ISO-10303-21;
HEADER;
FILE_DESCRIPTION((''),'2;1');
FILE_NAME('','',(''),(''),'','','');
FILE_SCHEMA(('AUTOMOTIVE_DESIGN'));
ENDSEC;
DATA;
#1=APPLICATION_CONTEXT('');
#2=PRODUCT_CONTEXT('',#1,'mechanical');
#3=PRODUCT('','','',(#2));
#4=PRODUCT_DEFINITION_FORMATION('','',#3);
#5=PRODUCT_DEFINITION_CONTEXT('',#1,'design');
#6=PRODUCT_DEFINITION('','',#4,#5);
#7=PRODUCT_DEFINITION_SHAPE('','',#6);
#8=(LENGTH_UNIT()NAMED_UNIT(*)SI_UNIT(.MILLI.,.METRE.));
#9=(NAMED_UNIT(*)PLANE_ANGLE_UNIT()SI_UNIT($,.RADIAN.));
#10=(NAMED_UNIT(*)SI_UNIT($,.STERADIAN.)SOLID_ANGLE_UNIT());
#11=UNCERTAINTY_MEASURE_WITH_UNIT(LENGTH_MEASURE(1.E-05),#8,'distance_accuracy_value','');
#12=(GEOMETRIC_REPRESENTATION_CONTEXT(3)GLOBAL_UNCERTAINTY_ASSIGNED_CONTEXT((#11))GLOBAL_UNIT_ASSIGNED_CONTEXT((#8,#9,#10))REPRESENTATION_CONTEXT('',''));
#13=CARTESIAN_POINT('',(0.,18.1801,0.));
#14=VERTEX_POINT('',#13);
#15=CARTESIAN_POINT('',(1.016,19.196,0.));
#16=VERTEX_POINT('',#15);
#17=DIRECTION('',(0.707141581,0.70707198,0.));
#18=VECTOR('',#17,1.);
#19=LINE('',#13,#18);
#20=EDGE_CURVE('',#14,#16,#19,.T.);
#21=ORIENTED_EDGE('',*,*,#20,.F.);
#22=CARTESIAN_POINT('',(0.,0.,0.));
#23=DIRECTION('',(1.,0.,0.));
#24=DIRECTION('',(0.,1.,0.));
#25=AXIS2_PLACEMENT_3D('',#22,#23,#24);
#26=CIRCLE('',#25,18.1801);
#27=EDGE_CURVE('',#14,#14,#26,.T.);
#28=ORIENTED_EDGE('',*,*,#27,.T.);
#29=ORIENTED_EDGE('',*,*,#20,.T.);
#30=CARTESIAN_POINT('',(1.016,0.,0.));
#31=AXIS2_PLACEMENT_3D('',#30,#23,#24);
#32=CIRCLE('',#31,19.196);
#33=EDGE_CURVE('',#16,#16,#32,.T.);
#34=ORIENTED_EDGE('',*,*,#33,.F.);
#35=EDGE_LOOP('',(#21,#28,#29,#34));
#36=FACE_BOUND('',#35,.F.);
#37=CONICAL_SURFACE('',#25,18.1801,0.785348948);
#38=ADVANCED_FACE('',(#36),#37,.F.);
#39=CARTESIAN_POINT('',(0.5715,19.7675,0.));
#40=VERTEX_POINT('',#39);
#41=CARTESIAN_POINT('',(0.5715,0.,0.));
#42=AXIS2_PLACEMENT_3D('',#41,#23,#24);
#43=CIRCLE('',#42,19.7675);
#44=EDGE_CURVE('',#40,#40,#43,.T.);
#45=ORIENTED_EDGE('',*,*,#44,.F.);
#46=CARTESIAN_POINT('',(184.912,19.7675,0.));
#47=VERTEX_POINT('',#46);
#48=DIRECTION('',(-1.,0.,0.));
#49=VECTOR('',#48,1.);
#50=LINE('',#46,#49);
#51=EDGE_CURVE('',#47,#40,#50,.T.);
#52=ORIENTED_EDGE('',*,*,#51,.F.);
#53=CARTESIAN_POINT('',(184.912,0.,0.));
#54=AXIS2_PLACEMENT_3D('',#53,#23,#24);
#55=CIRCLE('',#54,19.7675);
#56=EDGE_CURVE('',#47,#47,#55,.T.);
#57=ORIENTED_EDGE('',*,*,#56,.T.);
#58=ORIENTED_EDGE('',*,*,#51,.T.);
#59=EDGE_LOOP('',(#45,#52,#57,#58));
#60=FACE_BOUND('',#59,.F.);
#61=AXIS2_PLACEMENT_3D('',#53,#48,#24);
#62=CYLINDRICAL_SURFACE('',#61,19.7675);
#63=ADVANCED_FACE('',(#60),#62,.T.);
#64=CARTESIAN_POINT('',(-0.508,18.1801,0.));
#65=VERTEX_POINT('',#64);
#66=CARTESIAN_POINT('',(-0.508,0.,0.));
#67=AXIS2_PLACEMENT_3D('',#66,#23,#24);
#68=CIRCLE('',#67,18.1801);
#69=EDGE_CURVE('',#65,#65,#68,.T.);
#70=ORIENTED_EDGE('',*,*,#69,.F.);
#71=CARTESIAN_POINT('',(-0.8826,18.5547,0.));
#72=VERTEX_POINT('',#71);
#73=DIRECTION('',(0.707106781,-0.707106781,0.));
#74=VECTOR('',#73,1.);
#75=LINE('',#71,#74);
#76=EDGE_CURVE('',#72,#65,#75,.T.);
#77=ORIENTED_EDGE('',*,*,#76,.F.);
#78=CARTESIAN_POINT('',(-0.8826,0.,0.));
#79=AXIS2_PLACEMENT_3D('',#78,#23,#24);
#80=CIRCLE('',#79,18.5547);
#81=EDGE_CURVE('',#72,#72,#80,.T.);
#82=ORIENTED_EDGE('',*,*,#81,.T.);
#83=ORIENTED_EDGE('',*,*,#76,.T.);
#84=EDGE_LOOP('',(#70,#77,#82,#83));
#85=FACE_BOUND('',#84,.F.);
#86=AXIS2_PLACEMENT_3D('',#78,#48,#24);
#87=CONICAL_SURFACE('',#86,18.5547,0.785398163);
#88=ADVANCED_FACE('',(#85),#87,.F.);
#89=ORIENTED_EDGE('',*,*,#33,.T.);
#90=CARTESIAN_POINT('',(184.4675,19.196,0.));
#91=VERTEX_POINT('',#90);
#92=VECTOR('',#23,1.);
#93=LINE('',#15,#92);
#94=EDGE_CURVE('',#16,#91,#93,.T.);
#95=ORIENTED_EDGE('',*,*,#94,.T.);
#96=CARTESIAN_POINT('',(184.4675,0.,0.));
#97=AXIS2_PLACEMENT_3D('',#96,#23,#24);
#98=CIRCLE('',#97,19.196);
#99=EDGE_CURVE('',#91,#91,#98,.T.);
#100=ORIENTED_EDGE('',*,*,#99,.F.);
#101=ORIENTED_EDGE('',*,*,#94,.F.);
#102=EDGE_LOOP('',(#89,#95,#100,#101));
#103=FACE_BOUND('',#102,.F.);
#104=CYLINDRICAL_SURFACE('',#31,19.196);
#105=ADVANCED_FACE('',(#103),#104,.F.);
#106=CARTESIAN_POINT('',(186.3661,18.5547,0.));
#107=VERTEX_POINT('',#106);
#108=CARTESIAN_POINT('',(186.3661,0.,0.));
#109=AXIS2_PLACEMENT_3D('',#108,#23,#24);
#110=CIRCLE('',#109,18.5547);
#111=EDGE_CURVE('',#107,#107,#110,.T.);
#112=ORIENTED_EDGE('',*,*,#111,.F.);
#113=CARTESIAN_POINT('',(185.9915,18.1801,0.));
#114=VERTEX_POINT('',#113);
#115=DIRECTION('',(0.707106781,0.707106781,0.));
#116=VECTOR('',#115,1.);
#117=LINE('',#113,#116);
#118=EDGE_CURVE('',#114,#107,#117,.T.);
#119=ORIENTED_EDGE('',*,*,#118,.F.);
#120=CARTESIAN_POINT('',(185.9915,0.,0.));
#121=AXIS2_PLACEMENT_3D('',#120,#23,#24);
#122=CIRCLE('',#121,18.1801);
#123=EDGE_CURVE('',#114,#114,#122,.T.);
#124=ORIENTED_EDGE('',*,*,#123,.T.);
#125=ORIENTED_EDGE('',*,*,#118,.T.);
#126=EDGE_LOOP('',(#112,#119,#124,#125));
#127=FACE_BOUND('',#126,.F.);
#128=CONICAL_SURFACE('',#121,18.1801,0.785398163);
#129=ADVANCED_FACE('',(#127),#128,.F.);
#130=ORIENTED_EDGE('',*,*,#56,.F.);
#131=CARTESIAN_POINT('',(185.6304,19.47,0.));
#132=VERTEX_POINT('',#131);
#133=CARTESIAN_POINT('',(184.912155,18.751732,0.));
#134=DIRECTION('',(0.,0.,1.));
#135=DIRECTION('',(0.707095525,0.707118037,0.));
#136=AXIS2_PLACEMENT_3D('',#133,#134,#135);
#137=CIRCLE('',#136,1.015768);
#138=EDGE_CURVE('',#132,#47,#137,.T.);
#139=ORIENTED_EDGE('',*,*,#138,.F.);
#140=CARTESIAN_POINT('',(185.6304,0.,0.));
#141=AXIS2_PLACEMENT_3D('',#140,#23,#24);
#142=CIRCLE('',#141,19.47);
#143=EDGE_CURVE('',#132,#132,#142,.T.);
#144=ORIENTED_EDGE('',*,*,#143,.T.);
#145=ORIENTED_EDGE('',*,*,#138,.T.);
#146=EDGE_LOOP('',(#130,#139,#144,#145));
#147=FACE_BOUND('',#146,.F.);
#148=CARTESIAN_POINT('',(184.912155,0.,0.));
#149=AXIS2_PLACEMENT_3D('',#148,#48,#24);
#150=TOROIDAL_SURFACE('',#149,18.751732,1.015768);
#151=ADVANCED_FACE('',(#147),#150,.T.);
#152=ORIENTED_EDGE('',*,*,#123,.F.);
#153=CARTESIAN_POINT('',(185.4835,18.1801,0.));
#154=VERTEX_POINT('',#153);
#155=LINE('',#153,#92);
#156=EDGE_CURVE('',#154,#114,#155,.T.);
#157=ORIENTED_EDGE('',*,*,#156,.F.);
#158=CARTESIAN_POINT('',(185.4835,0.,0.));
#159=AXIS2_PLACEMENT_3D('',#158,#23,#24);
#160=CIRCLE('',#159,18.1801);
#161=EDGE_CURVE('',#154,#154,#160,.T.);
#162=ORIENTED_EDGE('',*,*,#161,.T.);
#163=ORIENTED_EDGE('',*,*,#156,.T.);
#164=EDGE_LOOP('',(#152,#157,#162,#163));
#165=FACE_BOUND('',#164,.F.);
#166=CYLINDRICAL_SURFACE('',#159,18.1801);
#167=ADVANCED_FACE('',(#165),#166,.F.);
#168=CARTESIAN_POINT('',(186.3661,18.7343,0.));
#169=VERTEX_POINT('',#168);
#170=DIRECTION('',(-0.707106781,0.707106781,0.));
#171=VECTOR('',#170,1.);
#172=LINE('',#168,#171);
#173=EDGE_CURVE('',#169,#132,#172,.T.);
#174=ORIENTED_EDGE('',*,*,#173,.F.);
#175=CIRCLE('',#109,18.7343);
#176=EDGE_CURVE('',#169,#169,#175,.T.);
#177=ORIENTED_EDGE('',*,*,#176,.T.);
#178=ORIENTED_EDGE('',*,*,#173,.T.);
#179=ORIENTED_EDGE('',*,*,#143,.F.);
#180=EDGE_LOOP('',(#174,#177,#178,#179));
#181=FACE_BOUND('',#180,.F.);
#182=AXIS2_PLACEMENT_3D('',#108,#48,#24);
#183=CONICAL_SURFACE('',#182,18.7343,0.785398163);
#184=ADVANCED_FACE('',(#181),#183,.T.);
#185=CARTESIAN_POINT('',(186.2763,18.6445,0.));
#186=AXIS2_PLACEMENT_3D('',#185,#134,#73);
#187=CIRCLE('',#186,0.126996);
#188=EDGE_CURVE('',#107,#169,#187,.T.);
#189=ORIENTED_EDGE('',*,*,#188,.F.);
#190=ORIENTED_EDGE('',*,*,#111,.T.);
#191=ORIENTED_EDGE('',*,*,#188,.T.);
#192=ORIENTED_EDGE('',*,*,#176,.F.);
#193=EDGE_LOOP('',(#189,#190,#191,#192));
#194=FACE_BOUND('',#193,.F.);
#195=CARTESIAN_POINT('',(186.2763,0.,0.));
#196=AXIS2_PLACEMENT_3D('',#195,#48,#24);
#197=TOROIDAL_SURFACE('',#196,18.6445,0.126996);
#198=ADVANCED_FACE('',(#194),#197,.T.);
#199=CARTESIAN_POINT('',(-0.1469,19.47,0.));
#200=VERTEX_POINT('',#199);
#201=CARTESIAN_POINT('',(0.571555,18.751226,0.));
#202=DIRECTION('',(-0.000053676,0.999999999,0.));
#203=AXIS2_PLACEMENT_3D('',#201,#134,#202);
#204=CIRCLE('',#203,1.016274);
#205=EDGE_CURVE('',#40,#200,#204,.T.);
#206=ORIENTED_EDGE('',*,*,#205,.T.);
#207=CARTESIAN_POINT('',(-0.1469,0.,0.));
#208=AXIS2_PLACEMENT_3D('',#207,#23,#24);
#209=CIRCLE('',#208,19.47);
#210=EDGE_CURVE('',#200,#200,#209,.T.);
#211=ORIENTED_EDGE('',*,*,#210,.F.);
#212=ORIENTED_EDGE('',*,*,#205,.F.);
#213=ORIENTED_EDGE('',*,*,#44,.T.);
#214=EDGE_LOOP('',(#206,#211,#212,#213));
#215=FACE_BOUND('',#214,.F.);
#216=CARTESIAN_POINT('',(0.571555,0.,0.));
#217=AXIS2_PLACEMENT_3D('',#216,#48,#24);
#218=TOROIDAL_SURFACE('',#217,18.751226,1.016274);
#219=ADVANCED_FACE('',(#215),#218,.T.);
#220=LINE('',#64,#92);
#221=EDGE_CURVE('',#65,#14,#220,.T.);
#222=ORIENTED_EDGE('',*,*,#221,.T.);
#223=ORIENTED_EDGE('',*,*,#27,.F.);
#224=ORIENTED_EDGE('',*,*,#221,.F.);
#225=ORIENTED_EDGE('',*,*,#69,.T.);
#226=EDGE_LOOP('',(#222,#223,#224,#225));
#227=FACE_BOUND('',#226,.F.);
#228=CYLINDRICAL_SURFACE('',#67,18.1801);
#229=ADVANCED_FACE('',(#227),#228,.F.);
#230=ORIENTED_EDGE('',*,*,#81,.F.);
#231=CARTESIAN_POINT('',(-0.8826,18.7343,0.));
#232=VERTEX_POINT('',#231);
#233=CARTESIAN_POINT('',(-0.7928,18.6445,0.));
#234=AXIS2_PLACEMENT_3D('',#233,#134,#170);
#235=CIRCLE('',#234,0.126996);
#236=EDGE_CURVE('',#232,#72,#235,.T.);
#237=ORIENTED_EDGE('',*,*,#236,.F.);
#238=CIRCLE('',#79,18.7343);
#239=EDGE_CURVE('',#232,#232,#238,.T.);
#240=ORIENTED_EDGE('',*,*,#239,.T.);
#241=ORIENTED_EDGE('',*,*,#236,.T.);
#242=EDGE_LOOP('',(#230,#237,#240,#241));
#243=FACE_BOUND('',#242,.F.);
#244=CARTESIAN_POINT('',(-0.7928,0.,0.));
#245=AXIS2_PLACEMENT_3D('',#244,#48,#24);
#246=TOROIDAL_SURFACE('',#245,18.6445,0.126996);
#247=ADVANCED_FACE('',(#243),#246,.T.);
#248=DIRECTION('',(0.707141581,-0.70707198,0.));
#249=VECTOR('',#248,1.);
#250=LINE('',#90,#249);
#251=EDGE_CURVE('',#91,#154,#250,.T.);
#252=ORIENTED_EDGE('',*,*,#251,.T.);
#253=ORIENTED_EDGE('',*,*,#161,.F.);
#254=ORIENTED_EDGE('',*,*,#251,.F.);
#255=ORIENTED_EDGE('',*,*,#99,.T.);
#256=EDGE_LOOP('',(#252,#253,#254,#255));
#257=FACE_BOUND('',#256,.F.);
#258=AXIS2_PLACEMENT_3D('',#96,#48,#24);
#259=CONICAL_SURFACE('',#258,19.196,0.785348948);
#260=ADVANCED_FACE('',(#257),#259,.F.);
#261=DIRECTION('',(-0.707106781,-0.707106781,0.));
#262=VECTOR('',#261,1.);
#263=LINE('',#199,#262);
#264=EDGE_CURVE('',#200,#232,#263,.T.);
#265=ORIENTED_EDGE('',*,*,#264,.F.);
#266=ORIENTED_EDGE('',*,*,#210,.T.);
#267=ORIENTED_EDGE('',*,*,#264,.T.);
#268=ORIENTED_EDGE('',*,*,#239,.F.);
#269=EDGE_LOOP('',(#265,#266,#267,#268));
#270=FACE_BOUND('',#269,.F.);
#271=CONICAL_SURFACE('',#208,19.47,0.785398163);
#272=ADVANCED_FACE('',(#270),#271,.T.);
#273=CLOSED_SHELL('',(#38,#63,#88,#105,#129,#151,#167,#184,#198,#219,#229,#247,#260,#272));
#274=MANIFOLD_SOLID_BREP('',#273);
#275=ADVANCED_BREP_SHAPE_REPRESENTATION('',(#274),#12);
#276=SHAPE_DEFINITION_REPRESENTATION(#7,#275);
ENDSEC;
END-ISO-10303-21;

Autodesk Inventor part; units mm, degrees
sketch "Sketch_1" plane through (0, 0, 0) normal (0, 0, 1) x (1, 0, 0)
  line L0 (185.4835, 0) -> (0, 0)
  arc A0 (-0.8826, 18.7343) -> (-0.8826, 18.5547) centre (-0.7928, 18.6445) ccw
  line L1 (-0.8826, 18.5547) -> (-0.508, 18.1801)
  line L2 (-0.508, 18.1801) -> (0, 18.1801)
  line L3 (0, 18.1801) -> (1.016, 19.196)
  line L4 (1.016, 19.196) -> (184.4675, 19.196)
  line L5 (184.4675, 19.196) -> (185.4835, 18.1801)
  line L6 (185.4835, 18.1801) -> (185.9915, 18.1801)
  line L7 (185.9915, 18.1801) -> (186.3661, 18.5547)
  arc A1 (186.3661, 18.5547) -> (186.3661, 18.7343) centre (186.2763, 18.6445) ccw
  line L8 (186.3661, 18.7343) -> (185.6304, 19.47)
  arc A2 (185.6304, 19.47) -> (184.912, 19.7675) centre (184.912, 18.7515) ccw
  line L9 (184.912, 19.7675) -> (0.5715, 19.7675)
  arc A3 (0.5715, 19.7675) -> (-0.1469, 19.47) centre (0.5715, 18.7515) ccw
  line L10 (-0.1469, 19.47) -> (-0.8826, 18.7343)
revolve "Revolution1" add sketch "Sketch_1" angle 360 about axis through (185.4835, 0, 0) along (1, 0, 0)
ref_plane "cp1_XY" through (92.7417, 19.7675, 0) normal (1, 0, 0) x (0, 0, -1)
ref_plane "cp1_YZ" through (92.7417, 19.7675, 0) normal (0, 0, -1) x (0, 1, 0)
ref_plane "cp1_ZX" through (92.7417, 19.7675, 0) normal (0, 1, 0) x (1, 0, 0)
ref_plane "cp2_XY" through (92.7417, 0, -19.7675) normal (1, 0, 0) x (0, 0, -1)
ref_plane "cp2_YZ" through (92.7417, 0, -19.7675) normal (0, 0, -1) x (0, 1, 0)
ref_plane "cp2_ZX" through (92.7417, 0, -19.7675) normal (0, 1, 0) x (1, 0, 0)
ref_plane "cp3_XY" through (92.7417, -19.7675, 0) normal (1, 0, 0) x (0, 0, -1)
ref_plane "cp3_YZ" through (92.7417, -19.7675, 0) normal (0, 0, -1) x (0, 1, 0)
ref_plane "cp3_ZX" through (92.7417, -19.7675, 0) normal (0, 1, 0) x (1, 0, 0)
ref_plane "cp4_XY" through (92.7417, 0, 19.7675) normal (1, 0, 0) x (0, 0, -1)
ref_plane "cp4_YZ" through (92.7417, 0, 19.7675) normal (0, 0, -1) x (0, 1, 0)
ref_plane "cp4_ZX" through (92.7417, 0, 19.7675) normal (0, 1, 0) x (1, 0, 0)
ref_plane "tube_front_XY" through (0, 0, 0) normal (1, 0, 0) x (0, 0, -1)
ref_plane "tube_front_YZ" through (0, 0, 0) normal (0, 0, -1) x (0, 1, 0)
ref_plane "tube_front_ZX" through (0, 0, 0) normal (0, 1, 0) x (1, 0, 0)
ref_plane "tube_rear_XY" through (185.4835, 0, 0) normal (1, 0, 0) x (0, 0, -1)
ref_plane "tube_rear_YZ" through (185.4835, 0, 0) normal (0, 0, -1) x (0, 1, 0)
ref_plane "tube_rear_ZX" through (185.4835, 0, 0) normal (0, 1, 0) x (1, 0, 0)
properties part number "17R-7.30250C"
